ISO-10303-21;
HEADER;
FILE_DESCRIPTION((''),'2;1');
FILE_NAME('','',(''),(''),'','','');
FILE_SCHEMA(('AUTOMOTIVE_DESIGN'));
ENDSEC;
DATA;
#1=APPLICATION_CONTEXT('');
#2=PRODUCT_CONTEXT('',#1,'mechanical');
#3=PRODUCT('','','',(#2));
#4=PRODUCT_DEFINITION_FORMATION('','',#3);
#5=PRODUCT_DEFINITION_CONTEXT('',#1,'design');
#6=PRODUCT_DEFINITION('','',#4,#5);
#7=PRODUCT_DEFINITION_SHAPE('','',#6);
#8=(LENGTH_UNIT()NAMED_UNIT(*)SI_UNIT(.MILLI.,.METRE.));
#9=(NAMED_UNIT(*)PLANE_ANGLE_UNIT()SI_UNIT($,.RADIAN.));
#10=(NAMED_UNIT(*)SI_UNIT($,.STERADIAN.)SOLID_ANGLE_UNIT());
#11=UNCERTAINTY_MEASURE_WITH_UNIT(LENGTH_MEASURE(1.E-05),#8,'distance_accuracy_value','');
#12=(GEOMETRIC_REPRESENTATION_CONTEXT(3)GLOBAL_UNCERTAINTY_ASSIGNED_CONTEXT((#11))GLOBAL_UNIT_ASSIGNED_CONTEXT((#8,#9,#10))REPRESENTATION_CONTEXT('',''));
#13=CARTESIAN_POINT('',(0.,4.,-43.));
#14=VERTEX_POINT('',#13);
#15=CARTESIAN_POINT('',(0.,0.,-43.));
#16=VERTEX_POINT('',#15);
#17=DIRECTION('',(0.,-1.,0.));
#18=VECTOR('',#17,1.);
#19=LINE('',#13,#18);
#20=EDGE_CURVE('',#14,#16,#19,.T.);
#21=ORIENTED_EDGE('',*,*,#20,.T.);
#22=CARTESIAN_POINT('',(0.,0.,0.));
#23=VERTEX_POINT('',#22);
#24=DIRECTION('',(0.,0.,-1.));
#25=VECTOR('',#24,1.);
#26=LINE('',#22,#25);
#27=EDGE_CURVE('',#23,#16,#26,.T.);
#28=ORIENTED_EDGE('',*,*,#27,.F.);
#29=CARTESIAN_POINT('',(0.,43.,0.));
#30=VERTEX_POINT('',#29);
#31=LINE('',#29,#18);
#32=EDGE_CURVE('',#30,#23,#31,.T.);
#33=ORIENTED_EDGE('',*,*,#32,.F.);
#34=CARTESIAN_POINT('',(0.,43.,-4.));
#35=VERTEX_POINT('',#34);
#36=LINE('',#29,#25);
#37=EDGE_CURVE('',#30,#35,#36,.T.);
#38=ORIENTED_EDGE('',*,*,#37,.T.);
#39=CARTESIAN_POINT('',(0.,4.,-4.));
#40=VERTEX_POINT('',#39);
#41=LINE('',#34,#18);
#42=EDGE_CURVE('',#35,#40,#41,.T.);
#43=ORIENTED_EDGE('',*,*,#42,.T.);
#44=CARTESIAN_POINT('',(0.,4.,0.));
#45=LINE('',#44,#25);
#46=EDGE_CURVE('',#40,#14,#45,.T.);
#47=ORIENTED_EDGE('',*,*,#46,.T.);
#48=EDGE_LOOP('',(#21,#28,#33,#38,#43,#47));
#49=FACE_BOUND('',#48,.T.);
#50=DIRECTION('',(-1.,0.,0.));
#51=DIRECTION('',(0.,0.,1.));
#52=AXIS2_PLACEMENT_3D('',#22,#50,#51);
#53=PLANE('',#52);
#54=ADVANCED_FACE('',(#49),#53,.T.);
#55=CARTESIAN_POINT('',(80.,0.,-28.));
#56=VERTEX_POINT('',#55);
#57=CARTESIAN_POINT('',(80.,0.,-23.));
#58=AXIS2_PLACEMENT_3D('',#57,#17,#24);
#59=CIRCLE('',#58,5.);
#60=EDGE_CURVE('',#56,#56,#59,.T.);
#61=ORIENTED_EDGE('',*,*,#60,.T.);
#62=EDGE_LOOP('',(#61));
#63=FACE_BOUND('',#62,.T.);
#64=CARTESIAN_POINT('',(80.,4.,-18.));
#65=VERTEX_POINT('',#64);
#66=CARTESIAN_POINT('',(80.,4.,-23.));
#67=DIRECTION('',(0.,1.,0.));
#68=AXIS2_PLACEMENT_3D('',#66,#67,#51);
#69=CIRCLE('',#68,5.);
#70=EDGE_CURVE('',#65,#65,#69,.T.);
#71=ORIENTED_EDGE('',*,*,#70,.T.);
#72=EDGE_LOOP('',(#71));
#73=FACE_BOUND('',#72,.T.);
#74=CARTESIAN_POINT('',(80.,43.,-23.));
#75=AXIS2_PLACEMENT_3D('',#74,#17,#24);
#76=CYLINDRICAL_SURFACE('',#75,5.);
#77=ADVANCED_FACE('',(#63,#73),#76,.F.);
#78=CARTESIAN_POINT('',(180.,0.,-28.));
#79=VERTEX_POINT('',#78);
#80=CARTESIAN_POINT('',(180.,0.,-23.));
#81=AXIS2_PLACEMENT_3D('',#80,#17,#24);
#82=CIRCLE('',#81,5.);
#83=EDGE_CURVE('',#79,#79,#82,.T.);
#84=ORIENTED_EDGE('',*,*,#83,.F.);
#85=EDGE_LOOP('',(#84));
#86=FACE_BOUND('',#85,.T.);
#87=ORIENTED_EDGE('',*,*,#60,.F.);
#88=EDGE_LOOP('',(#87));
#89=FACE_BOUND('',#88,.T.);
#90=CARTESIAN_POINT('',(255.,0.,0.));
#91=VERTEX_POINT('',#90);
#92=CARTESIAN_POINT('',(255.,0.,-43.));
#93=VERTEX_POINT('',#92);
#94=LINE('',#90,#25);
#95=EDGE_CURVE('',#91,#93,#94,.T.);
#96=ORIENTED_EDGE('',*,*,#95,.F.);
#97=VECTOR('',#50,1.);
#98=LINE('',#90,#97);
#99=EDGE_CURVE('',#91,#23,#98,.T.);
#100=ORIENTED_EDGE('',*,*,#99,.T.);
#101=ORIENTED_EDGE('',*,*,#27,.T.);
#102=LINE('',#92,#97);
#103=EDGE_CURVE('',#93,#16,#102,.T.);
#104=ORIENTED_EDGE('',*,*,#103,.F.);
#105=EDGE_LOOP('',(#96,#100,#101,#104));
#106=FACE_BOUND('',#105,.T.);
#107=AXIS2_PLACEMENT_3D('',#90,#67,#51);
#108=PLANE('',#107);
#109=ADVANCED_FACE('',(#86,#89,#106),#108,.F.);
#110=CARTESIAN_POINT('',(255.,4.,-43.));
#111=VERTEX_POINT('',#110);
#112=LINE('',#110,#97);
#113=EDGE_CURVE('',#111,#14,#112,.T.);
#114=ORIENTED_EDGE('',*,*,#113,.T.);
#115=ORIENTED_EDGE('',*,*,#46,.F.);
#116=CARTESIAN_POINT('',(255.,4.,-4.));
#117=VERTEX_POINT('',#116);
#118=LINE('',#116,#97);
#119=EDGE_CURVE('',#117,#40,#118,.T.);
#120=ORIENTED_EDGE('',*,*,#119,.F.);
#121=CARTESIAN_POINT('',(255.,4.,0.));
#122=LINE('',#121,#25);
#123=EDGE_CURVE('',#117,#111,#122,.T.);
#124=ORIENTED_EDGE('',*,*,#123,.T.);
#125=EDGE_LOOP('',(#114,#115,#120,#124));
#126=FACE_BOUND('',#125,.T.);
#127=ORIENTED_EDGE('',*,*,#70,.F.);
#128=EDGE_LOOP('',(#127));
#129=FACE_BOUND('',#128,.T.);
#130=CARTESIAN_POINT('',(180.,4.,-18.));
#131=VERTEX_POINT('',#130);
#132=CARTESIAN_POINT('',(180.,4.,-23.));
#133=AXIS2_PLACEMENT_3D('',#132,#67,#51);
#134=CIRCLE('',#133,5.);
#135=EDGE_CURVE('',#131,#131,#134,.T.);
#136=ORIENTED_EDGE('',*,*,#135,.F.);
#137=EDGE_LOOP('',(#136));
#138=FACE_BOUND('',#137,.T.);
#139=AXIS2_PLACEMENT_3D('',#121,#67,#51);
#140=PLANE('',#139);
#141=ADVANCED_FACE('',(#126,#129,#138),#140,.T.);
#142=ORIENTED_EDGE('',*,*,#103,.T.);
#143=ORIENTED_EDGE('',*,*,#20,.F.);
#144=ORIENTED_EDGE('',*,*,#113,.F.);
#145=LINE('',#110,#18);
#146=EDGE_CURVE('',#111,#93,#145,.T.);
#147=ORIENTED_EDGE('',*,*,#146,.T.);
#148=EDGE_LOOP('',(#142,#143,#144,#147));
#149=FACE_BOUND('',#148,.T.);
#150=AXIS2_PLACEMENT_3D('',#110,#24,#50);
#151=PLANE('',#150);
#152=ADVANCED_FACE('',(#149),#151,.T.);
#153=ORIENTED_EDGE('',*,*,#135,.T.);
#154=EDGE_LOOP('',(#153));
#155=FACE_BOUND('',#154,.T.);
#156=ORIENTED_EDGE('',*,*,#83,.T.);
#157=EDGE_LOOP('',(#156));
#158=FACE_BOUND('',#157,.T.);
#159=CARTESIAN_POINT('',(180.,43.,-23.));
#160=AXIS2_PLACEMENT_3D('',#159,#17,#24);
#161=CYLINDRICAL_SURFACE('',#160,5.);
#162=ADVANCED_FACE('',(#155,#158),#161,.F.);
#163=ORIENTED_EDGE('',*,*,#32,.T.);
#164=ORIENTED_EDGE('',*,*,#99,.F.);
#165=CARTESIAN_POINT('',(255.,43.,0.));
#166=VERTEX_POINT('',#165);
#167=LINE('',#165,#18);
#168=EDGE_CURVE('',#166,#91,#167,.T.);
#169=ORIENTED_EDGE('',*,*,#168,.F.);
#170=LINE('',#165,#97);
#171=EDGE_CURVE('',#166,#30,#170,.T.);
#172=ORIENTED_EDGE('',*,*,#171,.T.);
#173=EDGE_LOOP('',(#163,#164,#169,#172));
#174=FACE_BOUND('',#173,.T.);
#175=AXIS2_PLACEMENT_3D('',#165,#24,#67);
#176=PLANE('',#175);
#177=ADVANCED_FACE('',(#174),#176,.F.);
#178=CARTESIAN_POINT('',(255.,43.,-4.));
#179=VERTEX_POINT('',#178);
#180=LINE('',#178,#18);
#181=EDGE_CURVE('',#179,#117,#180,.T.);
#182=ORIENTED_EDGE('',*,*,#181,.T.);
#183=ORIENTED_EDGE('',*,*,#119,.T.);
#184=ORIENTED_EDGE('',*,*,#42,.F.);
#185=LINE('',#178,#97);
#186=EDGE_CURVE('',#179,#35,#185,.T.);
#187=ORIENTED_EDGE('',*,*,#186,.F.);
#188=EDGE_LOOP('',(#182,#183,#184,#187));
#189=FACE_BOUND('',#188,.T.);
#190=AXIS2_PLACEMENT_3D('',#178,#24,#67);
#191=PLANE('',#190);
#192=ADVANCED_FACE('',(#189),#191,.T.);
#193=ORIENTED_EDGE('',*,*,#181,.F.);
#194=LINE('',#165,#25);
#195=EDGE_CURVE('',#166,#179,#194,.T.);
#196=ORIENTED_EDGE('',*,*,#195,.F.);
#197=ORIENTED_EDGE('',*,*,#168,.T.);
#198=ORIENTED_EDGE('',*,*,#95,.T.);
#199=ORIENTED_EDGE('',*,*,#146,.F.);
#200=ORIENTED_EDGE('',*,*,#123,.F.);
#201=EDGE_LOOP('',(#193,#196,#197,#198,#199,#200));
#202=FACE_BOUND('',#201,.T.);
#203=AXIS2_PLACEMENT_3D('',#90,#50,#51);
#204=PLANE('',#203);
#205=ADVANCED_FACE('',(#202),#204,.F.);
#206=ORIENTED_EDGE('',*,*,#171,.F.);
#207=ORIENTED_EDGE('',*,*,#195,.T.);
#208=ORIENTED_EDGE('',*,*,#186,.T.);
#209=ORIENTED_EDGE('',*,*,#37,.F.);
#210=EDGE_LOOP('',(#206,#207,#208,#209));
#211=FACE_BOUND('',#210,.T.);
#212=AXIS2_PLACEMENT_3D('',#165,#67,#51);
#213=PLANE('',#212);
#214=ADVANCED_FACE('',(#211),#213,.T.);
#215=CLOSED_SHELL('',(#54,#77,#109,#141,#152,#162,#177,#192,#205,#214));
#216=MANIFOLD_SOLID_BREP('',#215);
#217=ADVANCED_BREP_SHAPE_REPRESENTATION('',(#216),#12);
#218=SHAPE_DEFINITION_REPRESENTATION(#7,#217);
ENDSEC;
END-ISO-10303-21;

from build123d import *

# Parameters (mm, degrees)
EXTRUDE_1_DEPTH     = 255
SKETCH_2_R          = 5
CUT_EXTRUDE_1_DEPTH = 44


with BuildPart() as part:
    # Эскиз1 → Вытянуть-Тонкостенный1 (new body)
    with BuildSketch(Plane(origin=(0, 0, 0), x_dir=(0, 0, -1), z_dir=(1, 0, 0))):
        Polygon((0, 43), (0, 0), (43, 0), (43, 4), (4, 4), (4, 43), align=None)
    extrude(amount=EXTRUDE_1_DEPTH)

    # Эскиз2 → Вырез-Вытянуть1 (cut, through all)
    with BuildSketch(Plane.XZ):
        with Locations((80, -23)):
            Circle(SKETCH_2_R)
        with Locations((180, -23)):
            Circle(SKETCH_2_R)
    extrude(amount=-CUT_EXTRUDE_1_DEPTH, mode=Mode.SUBTRACT)


solid = part.part
